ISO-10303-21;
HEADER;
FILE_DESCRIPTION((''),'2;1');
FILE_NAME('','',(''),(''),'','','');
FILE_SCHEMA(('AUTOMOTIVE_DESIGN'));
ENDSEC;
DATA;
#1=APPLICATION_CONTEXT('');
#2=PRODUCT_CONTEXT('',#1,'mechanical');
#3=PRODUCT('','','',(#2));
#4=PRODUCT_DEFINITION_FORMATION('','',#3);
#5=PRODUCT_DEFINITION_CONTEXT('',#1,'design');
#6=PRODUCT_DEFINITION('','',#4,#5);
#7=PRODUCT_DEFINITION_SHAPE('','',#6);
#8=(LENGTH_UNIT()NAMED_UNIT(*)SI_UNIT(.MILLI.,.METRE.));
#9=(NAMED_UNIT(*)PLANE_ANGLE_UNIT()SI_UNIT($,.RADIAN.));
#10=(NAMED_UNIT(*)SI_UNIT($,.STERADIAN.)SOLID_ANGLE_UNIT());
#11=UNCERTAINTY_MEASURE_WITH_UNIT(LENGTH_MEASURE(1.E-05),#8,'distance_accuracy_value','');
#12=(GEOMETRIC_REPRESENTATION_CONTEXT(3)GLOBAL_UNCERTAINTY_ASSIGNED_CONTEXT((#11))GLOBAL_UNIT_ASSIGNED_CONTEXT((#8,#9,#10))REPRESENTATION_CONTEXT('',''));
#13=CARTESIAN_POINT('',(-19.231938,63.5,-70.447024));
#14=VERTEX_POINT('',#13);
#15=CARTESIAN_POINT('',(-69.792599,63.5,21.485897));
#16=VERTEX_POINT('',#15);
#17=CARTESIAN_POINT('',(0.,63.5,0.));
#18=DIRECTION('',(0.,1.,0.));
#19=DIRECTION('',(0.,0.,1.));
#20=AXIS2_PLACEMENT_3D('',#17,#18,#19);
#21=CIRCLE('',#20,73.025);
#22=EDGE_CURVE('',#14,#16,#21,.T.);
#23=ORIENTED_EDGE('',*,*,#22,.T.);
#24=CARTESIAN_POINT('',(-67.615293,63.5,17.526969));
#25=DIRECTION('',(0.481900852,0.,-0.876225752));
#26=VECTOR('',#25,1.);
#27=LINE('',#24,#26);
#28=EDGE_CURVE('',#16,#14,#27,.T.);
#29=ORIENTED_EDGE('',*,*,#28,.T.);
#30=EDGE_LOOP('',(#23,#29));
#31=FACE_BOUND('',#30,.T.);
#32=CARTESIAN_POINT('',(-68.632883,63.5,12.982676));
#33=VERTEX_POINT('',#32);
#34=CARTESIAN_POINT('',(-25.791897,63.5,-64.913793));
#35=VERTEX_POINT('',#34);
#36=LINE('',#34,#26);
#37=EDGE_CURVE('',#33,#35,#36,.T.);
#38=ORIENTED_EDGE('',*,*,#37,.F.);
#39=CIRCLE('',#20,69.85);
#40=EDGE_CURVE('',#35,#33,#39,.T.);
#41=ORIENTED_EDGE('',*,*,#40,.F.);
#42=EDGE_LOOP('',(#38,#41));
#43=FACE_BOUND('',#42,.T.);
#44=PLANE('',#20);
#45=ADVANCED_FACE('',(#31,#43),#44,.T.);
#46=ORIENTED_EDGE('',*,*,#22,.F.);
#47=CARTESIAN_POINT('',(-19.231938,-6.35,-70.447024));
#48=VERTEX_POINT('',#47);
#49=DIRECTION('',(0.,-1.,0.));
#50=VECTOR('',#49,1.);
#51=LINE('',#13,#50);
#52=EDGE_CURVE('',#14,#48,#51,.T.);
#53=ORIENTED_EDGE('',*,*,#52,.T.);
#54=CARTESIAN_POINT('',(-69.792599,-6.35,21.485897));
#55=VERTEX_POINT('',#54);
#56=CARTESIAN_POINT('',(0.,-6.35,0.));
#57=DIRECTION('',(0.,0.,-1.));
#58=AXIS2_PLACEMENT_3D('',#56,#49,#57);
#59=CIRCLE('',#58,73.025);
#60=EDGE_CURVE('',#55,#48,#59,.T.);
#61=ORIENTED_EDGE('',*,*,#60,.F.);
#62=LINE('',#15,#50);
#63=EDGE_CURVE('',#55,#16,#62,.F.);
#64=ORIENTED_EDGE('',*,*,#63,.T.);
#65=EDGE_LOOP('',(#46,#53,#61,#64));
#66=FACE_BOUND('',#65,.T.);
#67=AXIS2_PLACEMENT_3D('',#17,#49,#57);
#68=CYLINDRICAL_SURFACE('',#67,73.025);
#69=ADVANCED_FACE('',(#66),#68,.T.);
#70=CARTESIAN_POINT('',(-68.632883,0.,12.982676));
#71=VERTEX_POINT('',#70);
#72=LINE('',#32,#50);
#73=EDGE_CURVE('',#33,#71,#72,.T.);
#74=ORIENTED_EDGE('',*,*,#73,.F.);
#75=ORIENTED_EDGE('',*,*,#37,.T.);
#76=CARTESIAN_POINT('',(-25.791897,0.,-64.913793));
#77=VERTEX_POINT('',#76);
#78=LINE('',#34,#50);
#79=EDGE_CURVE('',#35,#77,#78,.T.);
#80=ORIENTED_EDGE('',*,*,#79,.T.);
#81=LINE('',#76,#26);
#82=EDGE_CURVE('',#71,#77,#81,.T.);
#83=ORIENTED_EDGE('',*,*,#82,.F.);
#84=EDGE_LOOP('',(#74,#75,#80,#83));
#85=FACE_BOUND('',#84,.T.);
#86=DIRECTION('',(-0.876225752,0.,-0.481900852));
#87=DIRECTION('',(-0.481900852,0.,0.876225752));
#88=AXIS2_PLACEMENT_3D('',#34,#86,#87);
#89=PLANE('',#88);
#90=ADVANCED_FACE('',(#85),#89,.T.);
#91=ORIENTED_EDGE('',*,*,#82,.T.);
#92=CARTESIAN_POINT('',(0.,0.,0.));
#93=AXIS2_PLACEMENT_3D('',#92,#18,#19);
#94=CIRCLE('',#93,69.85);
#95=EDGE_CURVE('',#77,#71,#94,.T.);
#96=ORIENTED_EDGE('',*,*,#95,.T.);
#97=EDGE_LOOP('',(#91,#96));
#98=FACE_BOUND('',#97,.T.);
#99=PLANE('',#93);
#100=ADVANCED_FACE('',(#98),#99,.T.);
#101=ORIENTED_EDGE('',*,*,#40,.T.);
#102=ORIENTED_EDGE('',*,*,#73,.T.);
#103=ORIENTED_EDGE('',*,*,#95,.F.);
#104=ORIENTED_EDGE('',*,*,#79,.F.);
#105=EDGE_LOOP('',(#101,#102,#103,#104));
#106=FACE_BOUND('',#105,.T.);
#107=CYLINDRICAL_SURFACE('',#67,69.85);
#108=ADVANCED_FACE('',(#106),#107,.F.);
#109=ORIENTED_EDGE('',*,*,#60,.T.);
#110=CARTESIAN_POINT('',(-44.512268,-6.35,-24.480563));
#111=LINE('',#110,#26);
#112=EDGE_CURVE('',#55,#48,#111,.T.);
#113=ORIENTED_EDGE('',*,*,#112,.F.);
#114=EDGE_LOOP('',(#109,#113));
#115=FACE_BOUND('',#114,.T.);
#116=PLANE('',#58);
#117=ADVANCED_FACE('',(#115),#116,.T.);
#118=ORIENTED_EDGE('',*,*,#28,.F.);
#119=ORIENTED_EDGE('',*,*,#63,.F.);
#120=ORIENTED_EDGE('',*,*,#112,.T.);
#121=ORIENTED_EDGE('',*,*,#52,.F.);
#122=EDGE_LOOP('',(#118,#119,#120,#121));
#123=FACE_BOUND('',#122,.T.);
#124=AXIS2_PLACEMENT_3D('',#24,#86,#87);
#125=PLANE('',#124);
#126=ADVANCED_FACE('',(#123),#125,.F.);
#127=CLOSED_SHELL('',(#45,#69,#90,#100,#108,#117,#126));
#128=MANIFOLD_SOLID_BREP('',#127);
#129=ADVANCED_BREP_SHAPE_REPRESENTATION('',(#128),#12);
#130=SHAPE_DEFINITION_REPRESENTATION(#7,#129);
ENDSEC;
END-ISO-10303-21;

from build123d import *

# Parameters (mm, degrees)
SKETCH1_R               = 73.025
SKETCH1_R_2             = 69.85
BOSS_EXTRUDE1_DEPTH     = 63.5
SKETCH2_R               = 73.025
BOSS_EXTRUDE2_DEPTH     = 6.35
BOSS_EXTRUDE3_DEPTH     = 63.5
CUT_EXTRUDE2_START      = -6.35
CUT_EXTRUDE2_DEPTH      = 6.35
CUT_EXTRUDE2_DEPTH_BACK = 57.15
CUT_EXTRUDE5_DEPTH      = 1016


with BuildPart() as part:
    # Sketch1 → Boss-Extrude1 (new body)
    with BuildSketch(Plane(origin=(0, 0, 0), x_dir=(1, 0, 0), z_dir=(0, 1, 0))):
        Circle(SKETCH1_R)
        Circle(SKETCH1_R_2, mode=Mode.SUBTRACT)
    extrude(amount=BOSS_EXTRUDE1_DEPTH)

    # Sketch2 → Boss-Extrude2 (add)
    with BuildSketch(Plane.XZ):
        Circle(SKETCH2_R)
    extrude(amount=BOSS_EXTRUDE2_DEPTH)

    # Sketch3 → Boss-Extrude3 (add)
    with BuildSketch(Plane(origin=(0, 0, 0), x_dir=(1, 0, 0), z_dir=(0, 1, 0))):
        with BuildLine():
            Line((-67.615293174, -17.526968618), (-21.409243237, 66.488095205))
            ThreePointArc((-21.409243237, 66.488095205), (-61.204368783, 33.660774529), (-67.615293174, -17.526968618))
        make_face()
    extrude(amount=BOSS_EXTRUDE3_DEPTH)

    # Sketch4 → Cut-Extrude2 (cut, two sides)
    with BuildSketch(Plane(origin=(0, 63.5, 0), x_dir=(1, 0, 0), z_dir=(0, 1, 0)).offset(CUT_EXTRUDE2_START)) as cut_extrude2_sk:
        with BuildLine():
            Line((-25.79189716, 64.913793148), (-68.632882923, -12.982676212))
            ThreePointArc((-68.632882923, -12.982676212), (-61.204368783, 33.660774529), (-25.79189716, 64.913793148))
        make_face()
    extrude(amount=CUT_EXTRUDE2_DEPTH, mode=Mode.SUBTRACT)
    extrude(cut_extrude2_sk.sketch, amount=-CUT_EXTRUDE2_DEPTH_BACK, mode=Mode.SUBTRACT)

    # Sketch7 → Cut-Extrude5 (cut)
    with BuildSketch(Plane(origin=(0, 63.5, 0), x_dir=(1, 0, 0), z_dir=(0, 1, 0))):
        Polygon((-72.609628953, -26.608018388), (-10.171407592, 86.921512047), (114.959945388, 65.80584256), (122.548753565, -33.748740716), (41.017949176, -93.980716613), (-75.603403444, -72.676842996), align=None)
    extrude(amount=-CUT_EXTRUDE5_DEPTH, mode=Mode.SUBTRACT)


solid = part.part
